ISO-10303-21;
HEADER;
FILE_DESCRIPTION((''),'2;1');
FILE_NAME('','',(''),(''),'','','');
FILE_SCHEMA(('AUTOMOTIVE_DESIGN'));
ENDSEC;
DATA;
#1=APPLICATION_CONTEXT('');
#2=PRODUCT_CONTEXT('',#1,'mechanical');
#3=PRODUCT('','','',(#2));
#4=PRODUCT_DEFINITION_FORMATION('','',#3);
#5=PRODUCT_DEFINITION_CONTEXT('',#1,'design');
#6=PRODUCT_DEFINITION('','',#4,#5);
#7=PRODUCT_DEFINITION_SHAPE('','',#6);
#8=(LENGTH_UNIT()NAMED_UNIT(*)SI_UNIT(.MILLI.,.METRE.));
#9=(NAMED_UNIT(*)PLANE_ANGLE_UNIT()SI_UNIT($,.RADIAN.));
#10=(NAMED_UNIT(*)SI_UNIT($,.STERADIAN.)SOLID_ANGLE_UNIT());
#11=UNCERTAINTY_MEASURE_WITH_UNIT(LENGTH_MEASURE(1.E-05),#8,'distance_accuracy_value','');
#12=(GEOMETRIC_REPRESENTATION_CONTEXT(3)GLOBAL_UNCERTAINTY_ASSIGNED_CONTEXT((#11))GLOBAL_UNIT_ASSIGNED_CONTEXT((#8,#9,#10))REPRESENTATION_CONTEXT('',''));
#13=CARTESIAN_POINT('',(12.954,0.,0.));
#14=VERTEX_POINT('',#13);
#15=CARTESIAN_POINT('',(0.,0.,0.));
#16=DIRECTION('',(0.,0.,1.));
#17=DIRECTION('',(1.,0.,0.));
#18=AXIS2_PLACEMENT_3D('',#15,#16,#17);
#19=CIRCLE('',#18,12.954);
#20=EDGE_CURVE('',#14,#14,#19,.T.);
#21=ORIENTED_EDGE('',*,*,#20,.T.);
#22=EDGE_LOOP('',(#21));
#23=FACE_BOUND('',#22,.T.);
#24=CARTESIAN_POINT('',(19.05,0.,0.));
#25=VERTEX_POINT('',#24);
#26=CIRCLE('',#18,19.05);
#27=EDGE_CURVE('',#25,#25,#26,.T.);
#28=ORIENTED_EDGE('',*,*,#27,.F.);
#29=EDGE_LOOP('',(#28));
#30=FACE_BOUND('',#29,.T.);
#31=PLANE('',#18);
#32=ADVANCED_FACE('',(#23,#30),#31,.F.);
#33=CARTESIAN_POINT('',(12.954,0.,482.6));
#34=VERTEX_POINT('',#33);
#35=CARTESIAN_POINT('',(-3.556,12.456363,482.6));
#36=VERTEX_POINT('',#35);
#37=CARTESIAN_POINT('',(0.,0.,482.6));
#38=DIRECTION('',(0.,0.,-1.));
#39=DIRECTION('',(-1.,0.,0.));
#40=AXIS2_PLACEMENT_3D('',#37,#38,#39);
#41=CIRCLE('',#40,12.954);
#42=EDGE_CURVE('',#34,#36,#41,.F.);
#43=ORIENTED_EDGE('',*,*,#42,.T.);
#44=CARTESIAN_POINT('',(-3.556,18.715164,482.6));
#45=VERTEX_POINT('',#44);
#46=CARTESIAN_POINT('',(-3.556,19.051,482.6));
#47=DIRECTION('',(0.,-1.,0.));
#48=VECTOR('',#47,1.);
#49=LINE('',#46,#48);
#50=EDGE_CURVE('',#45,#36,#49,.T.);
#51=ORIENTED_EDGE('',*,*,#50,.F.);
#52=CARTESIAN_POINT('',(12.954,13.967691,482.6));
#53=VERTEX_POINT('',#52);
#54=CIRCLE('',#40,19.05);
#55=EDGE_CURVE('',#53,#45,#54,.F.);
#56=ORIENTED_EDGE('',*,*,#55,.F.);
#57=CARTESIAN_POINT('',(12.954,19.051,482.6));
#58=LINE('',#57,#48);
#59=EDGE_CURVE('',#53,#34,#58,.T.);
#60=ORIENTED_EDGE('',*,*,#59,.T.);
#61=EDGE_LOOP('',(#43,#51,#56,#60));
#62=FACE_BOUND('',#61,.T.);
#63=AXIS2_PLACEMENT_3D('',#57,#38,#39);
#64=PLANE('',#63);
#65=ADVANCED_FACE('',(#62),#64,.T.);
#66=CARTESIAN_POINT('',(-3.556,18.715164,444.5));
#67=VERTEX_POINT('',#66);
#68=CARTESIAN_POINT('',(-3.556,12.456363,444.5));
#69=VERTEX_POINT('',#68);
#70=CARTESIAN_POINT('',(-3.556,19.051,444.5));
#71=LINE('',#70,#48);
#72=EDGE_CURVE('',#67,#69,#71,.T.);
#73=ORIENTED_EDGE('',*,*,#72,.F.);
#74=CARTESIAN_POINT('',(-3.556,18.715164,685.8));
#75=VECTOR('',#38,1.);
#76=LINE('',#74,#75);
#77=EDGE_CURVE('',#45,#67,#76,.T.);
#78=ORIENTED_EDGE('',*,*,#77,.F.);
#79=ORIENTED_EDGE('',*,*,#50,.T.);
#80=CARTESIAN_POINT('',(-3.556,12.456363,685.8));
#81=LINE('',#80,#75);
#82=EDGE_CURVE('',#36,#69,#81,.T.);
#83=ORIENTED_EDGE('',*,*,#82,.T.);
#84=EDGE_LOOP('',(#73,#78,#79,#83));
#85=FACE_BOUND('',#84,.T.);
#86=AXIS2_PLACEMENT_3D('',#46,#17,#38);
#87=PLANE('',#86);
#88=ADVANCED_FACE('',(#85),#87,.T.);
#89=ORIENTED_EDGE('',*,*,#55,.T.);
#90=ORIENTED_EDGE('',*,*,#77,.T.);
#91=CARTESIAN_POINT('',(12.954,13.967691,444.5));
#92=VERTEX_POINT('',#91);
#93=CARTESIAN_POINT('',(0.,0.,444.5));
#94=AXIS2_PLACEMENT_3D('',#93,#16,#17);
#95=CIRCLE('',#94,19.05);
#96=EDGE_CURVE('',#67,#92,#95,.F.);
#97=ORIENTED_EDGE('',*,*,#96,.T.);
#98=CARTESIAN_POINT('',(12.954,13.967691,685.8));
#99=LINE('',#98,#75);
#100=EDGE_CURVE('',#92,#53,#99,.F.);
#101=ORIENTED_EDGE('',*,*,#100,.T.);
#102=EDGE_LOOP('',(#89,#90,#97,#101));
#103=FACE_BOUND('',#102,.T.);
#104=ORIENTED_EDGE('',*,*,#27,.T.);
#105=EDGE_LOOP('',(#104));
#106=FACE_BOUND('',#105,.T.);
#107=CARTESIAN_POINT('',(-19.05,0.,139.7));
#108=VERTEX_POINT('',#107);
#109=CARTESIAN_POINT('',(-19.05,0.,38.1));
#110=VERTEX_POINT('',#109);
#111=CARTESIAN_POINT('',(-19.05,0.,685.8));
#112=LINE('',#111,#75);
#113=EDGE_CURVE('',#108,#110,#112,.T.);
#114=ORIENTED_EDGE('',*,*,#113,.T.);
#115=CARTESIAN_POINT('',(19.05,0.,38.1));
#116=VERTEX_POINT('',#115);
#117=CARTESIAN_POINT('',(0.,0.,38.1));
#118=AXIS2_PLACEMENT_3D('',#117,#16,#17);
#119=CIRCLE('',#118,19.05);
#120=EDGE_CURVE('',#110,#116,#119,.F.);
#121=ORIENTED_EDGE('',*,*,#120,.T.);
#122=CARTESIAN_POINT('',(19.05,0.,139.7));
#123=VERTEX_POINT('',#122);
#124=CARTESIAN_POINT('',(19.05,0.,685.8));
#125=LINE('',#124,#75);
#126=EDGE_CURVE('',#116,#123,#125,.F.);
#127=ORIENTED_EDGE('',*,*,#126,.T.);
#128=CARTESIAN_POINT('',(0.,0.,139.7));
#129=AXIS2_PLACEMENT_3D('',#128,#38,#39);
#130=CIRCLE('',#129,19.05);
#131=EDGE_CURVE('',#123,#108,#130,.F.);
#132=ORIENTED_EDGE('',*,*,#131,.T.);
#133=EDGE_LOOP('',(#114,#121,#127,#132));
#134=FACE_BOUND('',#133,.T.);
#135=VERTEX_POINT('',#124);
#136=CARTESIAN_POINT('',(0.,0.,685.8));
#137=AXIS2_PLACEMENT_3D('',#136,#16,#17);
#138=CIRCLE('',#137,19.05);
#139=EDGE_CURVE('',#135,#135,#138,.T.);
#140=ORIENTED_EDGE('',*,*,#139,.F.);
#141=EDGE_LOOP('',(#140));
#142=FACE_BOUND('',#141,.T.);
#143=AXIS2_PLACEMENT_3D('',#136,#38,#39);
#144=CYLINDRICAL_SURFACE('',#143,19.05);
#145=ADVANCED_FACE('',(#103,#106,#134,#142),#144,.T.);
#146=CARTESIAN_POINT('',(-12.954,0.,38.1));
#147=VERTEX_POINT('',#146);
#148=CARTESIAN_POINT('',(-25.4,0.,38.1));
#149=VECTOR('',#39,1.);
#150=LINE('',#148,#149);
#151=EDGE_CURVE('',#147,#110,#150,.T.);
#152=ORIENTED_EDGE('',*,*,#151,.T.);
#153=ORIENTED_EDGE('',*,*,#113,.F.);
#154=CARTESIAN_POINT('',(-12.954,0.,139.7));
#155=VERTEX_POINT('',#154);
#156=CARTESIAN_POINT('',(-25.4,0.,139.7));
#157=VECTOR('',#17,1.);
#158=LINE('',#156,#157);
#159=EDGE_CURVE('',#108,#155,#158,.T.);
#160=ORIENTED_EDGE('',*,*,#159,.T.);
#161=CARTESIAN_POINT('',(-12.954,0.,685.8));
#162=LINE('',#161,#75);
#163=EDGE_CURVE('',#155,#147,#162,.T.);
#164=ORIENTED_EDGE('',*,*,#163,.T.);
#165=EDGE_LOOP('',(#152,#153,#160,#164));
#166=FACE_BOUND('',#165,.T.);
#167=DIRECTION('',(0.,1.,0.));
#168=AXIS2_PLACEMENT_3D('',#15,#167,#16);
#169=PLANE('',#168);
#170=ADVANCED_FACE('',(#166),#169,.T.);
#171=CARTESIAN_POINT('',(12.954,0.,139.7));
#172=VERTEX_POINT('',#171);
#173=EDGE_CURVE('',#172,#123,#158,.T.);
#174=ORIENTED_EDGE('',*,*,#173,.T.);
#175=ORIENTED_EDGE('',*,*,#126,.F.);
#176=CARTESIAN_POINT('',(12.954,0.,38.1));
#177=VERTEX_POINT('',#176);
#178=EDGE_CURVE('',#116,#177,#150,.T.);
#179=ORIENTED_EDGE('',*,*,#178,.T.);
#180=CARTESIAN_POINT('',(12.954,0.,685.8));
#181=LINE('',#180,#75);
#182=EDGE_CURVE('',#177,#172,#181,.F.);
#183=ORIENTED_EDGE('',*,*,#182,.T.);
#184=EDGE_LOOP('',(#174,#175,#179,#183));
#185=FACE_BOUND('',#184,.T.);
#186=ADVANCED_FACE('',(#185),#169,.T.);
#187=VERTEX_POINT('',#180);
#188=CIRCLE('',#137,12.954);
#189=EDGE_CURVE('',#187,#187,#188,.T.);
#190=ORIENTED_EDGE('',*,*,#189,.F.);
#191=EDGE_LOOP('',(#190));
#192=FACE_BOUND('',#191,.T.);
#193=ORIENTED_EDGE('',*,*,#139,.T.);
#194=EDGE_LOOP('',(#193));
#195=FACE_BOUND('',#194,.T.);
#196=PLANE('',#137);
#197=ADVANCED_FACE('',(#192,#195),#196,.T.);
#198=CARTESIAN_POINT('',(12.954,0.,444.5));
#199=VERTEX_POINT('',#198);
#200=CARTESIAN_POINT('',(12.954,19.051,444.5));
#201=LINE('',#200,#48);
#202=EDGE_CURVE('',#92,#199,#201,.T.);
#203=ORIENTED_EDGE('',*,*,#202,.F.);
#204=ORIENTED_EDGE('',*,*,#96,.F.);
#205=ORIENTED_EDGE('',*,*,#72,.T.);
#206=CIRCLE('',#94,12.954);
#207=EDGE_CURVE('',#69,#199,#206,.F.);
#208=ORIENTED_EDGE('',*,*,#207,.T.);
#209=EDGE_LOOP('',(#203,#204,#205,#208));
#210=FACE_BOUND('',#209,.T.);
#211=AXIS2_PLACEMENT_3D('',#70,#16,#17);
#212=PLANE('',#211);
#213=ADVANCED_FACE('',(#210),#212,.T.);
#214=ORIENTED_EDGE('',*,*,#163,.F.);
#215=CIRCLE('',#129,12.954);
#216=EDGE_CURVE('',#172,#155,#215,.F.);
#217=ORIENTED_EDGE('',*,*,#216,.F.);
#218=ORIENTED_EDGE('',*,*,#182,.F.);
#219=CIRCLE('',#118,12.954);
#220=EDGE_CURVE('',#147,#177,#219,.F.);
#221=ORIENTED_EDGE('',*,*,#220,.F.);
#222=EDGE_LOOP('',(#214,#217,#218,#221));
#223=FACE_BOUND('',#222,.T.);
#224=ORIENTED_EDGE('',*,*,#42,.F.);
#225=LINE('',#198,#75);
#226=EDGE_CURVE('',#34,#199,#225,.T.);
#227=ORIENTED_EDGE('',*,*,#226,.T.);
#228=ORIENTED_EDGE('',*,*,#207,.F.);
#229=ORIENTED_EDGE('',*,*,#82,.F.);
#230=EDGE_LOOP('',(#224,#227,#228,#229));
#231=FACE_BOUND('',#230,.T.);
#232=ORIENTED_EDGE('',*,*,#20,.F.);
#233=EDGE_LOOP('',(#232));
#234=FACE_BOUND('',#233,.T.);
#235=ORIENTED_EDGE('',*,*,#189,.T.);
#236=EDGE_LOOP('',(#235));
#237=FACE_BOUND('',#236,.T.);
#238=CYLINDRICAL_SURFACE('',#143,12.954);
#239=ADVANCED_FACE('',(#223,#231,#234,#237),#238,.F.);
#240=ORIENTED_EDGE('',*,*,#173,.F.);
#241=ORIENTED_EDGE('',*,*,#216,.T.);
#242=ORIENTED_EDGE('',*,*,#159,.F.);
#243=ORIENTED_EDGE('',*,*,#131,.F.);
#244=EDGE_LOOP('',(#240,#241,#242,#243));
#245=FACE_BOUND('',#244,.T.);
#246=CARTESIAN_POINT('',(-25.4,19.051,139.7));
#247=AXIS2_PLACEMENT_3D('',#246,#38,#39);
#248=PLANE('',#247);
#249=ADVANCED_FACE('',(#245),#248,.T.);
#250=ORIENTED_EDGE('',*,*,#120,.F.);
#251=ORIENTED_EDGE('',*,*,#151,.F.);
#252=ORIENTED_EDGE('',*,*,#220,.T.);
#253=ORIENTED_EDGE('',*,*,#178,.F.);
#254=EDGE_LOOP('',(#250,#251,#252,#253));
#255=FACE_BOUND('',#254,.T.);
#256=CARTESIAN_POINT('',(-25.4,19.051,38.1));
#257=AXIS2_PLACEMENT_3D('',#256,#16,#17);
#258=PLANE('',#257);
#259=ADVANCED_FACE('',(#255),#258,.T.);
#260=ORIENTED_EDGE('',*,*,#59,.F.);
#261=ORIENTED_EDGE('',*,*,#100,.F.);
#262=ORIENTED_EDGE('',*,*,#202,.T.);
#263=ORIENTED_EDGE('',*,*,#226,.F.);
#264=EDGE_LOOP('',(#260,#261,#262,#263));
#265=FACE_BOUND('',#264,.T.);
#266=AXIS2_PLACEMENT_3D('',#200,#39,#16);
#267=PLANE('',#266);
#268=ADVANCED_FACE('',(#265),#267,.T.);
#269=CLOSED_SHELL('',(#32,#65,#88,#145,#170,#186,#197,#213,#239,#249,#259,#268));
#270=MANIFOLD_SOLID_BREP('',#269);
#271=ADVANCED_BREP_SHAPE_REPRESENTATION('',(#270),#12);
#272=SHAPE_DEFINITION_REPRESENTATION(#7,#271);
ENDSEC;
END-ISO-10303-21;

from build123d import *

# Parameters (mm, degrees)
SKETCH2_R               = 19.05
SKETCH2_R_2             = 12.954
BOSS_EXTRUDE1_DEPTH     = 685.8
CUT_EXTRUDE1_REACH      = 688.329
SKETCH3_W               = 50.8
SKETCH3_H               = 101.6
CUT_EXTRUDE2_REACH      = 688.329
CUT_EXTRUDE2_END_RADIUS = 19.05
SKETCH4_W               = 16.51
SKETCH4_H               = 38.1


with BuildPart() as part:
    # Sketch2 → Boss-Extrude1 (new body)
    with BuildSketch(Plane.XY):
        Circle(SKETCH2_R)
        Circle(SKETCH2_R_2, mode=Mode.SUBTRACT)
    extrude(amount=BOSS_EXTRUDE1_DEPTH)

    # Sketch3 → Cut-Extrude1 (cut, up to next)
    with BuildSketch(Plane(origin=(0, 0, 0), x_dir=(1, 0, 0), z_dir=(0, 1, 0)), mode=Mode.PRIVATE) as cut_extrude1_sk1:
        with Locations((0, -88.9)):
            Rectangle(SKETCH3_W, SKETCH3_H)
    cut_extrude1_tool1 = extrude(cut_extrude1_sk1.sketch, amount=CUT_EXTRUDE1_REACH, mode=Mode.PRIVATE) & part.part
    add(cut_extrude1_tool1.solids().sort_by_distance((0, 0, 88.9))[0], mode=Mode.SUBTRACT)

    # Cut-Extrude2: up to this cylinder (the profile starts inside it)
    cut_extrude2_end = Plane(origin=(0, 0, 463.55), z_dir=(0, 0, -1)) * Cylinder(CUT_EXTRUDE2_END_RADIUS, 1415.758, mode=Mode.PRIVATE)
    # Sketch4 → Cut-Extrude2 (cut, up to the surface)
    with BuildSketch(Plane(origin=(0, 0, 0), x_dir=(1, 0, 0), z_dir=(0, 1, 0)), mode=Mode.PRIVATE) as cut_extrude2_sk1:
        with Locations((4.699, -463.55)):
            Rectangle(SKETCH4_W, SKETCH4_H)
    cut_extrude2_tool1 = extrude(cut_extrude2_sk1.sketch, amount=CUT_EXTRUDE2_REACH, mode=Mode.PRIVATE) & cut_extrude2_end
    add(cut_extrude2_tool1.solids().sort_by_distance((4.699, 0, 463.55))[0], mode=Mode.SUBTRACT)


solid = part.part
